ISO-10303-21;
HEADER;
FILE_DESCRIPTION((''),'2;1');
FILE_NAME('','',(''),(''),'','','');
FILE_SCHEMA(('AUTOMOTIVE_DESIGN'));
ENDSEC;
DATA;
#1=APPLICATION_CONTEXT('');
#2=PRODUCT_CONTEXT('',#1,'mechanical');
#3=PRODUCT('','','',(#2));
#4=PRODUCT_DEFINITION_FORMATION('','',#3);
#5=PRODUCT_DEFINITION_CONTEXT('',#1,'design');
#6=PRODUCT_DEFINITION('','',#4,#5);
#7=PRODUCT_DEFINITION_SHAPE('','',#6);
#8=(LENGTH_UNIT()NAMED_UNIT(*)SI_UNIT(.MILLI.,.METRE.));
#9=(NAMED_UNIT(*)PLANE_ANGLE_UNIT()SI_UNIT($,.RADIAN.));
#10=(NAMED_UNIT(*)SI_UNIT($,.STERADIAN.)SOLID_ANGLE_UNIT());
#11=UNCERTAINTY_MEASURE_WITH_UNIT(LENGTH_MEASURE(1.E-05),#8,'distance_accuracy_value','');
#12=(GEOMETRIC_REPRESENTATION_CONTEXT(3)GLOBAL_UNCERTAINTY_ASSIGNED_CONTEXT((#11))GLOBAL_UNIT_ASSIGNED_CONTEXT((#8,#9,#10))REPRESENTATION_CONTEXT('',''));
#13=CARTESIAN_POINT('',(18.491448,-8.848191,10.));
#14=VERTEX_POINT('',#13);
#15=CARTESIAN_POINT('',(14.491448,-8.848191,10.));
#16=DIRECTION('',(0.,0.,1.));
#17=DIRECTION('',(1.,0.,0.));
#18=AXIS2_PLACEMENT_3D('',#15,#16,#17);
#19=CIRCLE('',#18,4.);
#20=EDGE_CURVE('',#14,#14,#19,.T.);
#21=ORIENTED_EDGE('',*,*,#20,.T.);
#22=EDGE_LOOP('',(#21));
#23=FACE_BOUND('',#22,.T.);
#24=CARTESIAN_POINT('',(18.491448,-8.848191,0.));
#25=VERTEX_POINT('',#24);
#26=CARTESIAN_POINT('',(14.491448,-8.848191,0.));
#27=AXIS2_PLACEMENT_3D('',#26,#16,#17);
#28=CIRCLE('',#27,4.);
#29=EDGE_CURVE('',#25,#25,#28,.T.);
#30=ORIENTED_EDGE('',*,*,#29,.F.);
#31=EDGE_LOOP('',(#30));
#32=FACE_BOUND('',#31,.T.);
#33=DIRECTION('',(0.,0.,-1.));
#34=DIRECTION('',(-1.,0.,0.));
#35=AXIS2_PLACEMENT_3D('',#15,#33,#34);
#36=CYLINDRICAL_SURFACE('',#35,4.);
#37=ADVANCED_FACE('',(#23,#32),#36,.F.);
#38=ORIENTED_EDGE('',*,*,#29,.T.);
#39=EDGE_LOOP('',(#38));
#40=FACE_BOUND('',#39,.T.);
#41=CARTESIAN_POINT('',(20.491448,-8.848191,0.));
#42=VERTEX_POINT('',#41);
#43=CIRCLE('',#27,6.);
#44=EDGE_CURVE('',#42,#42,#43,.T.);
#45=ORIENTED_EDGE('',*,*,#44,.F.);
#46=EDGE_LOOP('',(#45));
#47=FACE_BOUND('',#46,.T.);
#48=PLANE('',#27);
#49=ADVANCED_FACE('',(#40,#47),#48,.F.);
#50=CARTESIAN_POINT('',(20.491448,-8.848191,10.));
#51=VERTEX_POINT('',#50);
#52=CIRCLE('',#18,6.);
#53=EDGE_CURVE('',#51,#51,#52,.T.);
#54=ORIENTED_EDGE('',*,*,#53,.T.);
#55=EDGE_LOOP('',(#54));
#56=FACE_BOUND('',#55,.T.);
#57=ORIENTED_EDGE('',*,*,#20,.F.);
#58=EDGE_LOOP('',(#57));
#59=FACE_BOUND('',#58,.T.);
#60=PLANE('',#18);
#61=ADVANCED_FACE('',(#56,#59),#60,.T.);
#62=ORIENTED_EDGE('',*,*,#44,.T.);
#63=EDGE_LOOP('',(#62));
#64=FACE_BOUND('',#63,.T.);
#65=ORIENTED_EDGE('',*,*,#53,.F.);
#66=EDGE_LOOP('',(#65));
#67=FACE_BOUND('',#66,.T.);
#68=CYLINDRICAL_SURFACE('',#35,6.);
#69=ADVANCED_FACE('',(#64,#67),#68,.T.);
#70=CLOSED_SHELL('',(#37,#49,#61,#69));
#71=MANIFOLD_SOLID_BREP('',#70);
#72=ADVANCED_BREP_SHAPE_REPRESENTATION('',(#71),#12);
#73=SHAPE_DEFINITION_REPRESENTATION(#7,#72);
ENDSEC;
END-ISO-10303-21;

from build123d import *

# Parameters (mm, degrees)
ESQUISSE1_R        = 6
ESQUISSE1_R_2      = 4
BOSS_EXTRU_1_DEPTH = 10


with BuildPart() as part:
    # Esquisse1 → Boss.-Extru.1 (new body)
    with BuildSketch(Plane.XY):
        with Locations((14.491448417, -8.848191188)):
            Circle(ESQUISSE1_R)
        with Locations((14.491448417, -8.848191188)):
            Circle(ESQUISSE1_R_2, mode=Mode.SUBTRACT)
    extrude(amount=BOSS_EXTRU_1_DEPTH)


solid = part.part
